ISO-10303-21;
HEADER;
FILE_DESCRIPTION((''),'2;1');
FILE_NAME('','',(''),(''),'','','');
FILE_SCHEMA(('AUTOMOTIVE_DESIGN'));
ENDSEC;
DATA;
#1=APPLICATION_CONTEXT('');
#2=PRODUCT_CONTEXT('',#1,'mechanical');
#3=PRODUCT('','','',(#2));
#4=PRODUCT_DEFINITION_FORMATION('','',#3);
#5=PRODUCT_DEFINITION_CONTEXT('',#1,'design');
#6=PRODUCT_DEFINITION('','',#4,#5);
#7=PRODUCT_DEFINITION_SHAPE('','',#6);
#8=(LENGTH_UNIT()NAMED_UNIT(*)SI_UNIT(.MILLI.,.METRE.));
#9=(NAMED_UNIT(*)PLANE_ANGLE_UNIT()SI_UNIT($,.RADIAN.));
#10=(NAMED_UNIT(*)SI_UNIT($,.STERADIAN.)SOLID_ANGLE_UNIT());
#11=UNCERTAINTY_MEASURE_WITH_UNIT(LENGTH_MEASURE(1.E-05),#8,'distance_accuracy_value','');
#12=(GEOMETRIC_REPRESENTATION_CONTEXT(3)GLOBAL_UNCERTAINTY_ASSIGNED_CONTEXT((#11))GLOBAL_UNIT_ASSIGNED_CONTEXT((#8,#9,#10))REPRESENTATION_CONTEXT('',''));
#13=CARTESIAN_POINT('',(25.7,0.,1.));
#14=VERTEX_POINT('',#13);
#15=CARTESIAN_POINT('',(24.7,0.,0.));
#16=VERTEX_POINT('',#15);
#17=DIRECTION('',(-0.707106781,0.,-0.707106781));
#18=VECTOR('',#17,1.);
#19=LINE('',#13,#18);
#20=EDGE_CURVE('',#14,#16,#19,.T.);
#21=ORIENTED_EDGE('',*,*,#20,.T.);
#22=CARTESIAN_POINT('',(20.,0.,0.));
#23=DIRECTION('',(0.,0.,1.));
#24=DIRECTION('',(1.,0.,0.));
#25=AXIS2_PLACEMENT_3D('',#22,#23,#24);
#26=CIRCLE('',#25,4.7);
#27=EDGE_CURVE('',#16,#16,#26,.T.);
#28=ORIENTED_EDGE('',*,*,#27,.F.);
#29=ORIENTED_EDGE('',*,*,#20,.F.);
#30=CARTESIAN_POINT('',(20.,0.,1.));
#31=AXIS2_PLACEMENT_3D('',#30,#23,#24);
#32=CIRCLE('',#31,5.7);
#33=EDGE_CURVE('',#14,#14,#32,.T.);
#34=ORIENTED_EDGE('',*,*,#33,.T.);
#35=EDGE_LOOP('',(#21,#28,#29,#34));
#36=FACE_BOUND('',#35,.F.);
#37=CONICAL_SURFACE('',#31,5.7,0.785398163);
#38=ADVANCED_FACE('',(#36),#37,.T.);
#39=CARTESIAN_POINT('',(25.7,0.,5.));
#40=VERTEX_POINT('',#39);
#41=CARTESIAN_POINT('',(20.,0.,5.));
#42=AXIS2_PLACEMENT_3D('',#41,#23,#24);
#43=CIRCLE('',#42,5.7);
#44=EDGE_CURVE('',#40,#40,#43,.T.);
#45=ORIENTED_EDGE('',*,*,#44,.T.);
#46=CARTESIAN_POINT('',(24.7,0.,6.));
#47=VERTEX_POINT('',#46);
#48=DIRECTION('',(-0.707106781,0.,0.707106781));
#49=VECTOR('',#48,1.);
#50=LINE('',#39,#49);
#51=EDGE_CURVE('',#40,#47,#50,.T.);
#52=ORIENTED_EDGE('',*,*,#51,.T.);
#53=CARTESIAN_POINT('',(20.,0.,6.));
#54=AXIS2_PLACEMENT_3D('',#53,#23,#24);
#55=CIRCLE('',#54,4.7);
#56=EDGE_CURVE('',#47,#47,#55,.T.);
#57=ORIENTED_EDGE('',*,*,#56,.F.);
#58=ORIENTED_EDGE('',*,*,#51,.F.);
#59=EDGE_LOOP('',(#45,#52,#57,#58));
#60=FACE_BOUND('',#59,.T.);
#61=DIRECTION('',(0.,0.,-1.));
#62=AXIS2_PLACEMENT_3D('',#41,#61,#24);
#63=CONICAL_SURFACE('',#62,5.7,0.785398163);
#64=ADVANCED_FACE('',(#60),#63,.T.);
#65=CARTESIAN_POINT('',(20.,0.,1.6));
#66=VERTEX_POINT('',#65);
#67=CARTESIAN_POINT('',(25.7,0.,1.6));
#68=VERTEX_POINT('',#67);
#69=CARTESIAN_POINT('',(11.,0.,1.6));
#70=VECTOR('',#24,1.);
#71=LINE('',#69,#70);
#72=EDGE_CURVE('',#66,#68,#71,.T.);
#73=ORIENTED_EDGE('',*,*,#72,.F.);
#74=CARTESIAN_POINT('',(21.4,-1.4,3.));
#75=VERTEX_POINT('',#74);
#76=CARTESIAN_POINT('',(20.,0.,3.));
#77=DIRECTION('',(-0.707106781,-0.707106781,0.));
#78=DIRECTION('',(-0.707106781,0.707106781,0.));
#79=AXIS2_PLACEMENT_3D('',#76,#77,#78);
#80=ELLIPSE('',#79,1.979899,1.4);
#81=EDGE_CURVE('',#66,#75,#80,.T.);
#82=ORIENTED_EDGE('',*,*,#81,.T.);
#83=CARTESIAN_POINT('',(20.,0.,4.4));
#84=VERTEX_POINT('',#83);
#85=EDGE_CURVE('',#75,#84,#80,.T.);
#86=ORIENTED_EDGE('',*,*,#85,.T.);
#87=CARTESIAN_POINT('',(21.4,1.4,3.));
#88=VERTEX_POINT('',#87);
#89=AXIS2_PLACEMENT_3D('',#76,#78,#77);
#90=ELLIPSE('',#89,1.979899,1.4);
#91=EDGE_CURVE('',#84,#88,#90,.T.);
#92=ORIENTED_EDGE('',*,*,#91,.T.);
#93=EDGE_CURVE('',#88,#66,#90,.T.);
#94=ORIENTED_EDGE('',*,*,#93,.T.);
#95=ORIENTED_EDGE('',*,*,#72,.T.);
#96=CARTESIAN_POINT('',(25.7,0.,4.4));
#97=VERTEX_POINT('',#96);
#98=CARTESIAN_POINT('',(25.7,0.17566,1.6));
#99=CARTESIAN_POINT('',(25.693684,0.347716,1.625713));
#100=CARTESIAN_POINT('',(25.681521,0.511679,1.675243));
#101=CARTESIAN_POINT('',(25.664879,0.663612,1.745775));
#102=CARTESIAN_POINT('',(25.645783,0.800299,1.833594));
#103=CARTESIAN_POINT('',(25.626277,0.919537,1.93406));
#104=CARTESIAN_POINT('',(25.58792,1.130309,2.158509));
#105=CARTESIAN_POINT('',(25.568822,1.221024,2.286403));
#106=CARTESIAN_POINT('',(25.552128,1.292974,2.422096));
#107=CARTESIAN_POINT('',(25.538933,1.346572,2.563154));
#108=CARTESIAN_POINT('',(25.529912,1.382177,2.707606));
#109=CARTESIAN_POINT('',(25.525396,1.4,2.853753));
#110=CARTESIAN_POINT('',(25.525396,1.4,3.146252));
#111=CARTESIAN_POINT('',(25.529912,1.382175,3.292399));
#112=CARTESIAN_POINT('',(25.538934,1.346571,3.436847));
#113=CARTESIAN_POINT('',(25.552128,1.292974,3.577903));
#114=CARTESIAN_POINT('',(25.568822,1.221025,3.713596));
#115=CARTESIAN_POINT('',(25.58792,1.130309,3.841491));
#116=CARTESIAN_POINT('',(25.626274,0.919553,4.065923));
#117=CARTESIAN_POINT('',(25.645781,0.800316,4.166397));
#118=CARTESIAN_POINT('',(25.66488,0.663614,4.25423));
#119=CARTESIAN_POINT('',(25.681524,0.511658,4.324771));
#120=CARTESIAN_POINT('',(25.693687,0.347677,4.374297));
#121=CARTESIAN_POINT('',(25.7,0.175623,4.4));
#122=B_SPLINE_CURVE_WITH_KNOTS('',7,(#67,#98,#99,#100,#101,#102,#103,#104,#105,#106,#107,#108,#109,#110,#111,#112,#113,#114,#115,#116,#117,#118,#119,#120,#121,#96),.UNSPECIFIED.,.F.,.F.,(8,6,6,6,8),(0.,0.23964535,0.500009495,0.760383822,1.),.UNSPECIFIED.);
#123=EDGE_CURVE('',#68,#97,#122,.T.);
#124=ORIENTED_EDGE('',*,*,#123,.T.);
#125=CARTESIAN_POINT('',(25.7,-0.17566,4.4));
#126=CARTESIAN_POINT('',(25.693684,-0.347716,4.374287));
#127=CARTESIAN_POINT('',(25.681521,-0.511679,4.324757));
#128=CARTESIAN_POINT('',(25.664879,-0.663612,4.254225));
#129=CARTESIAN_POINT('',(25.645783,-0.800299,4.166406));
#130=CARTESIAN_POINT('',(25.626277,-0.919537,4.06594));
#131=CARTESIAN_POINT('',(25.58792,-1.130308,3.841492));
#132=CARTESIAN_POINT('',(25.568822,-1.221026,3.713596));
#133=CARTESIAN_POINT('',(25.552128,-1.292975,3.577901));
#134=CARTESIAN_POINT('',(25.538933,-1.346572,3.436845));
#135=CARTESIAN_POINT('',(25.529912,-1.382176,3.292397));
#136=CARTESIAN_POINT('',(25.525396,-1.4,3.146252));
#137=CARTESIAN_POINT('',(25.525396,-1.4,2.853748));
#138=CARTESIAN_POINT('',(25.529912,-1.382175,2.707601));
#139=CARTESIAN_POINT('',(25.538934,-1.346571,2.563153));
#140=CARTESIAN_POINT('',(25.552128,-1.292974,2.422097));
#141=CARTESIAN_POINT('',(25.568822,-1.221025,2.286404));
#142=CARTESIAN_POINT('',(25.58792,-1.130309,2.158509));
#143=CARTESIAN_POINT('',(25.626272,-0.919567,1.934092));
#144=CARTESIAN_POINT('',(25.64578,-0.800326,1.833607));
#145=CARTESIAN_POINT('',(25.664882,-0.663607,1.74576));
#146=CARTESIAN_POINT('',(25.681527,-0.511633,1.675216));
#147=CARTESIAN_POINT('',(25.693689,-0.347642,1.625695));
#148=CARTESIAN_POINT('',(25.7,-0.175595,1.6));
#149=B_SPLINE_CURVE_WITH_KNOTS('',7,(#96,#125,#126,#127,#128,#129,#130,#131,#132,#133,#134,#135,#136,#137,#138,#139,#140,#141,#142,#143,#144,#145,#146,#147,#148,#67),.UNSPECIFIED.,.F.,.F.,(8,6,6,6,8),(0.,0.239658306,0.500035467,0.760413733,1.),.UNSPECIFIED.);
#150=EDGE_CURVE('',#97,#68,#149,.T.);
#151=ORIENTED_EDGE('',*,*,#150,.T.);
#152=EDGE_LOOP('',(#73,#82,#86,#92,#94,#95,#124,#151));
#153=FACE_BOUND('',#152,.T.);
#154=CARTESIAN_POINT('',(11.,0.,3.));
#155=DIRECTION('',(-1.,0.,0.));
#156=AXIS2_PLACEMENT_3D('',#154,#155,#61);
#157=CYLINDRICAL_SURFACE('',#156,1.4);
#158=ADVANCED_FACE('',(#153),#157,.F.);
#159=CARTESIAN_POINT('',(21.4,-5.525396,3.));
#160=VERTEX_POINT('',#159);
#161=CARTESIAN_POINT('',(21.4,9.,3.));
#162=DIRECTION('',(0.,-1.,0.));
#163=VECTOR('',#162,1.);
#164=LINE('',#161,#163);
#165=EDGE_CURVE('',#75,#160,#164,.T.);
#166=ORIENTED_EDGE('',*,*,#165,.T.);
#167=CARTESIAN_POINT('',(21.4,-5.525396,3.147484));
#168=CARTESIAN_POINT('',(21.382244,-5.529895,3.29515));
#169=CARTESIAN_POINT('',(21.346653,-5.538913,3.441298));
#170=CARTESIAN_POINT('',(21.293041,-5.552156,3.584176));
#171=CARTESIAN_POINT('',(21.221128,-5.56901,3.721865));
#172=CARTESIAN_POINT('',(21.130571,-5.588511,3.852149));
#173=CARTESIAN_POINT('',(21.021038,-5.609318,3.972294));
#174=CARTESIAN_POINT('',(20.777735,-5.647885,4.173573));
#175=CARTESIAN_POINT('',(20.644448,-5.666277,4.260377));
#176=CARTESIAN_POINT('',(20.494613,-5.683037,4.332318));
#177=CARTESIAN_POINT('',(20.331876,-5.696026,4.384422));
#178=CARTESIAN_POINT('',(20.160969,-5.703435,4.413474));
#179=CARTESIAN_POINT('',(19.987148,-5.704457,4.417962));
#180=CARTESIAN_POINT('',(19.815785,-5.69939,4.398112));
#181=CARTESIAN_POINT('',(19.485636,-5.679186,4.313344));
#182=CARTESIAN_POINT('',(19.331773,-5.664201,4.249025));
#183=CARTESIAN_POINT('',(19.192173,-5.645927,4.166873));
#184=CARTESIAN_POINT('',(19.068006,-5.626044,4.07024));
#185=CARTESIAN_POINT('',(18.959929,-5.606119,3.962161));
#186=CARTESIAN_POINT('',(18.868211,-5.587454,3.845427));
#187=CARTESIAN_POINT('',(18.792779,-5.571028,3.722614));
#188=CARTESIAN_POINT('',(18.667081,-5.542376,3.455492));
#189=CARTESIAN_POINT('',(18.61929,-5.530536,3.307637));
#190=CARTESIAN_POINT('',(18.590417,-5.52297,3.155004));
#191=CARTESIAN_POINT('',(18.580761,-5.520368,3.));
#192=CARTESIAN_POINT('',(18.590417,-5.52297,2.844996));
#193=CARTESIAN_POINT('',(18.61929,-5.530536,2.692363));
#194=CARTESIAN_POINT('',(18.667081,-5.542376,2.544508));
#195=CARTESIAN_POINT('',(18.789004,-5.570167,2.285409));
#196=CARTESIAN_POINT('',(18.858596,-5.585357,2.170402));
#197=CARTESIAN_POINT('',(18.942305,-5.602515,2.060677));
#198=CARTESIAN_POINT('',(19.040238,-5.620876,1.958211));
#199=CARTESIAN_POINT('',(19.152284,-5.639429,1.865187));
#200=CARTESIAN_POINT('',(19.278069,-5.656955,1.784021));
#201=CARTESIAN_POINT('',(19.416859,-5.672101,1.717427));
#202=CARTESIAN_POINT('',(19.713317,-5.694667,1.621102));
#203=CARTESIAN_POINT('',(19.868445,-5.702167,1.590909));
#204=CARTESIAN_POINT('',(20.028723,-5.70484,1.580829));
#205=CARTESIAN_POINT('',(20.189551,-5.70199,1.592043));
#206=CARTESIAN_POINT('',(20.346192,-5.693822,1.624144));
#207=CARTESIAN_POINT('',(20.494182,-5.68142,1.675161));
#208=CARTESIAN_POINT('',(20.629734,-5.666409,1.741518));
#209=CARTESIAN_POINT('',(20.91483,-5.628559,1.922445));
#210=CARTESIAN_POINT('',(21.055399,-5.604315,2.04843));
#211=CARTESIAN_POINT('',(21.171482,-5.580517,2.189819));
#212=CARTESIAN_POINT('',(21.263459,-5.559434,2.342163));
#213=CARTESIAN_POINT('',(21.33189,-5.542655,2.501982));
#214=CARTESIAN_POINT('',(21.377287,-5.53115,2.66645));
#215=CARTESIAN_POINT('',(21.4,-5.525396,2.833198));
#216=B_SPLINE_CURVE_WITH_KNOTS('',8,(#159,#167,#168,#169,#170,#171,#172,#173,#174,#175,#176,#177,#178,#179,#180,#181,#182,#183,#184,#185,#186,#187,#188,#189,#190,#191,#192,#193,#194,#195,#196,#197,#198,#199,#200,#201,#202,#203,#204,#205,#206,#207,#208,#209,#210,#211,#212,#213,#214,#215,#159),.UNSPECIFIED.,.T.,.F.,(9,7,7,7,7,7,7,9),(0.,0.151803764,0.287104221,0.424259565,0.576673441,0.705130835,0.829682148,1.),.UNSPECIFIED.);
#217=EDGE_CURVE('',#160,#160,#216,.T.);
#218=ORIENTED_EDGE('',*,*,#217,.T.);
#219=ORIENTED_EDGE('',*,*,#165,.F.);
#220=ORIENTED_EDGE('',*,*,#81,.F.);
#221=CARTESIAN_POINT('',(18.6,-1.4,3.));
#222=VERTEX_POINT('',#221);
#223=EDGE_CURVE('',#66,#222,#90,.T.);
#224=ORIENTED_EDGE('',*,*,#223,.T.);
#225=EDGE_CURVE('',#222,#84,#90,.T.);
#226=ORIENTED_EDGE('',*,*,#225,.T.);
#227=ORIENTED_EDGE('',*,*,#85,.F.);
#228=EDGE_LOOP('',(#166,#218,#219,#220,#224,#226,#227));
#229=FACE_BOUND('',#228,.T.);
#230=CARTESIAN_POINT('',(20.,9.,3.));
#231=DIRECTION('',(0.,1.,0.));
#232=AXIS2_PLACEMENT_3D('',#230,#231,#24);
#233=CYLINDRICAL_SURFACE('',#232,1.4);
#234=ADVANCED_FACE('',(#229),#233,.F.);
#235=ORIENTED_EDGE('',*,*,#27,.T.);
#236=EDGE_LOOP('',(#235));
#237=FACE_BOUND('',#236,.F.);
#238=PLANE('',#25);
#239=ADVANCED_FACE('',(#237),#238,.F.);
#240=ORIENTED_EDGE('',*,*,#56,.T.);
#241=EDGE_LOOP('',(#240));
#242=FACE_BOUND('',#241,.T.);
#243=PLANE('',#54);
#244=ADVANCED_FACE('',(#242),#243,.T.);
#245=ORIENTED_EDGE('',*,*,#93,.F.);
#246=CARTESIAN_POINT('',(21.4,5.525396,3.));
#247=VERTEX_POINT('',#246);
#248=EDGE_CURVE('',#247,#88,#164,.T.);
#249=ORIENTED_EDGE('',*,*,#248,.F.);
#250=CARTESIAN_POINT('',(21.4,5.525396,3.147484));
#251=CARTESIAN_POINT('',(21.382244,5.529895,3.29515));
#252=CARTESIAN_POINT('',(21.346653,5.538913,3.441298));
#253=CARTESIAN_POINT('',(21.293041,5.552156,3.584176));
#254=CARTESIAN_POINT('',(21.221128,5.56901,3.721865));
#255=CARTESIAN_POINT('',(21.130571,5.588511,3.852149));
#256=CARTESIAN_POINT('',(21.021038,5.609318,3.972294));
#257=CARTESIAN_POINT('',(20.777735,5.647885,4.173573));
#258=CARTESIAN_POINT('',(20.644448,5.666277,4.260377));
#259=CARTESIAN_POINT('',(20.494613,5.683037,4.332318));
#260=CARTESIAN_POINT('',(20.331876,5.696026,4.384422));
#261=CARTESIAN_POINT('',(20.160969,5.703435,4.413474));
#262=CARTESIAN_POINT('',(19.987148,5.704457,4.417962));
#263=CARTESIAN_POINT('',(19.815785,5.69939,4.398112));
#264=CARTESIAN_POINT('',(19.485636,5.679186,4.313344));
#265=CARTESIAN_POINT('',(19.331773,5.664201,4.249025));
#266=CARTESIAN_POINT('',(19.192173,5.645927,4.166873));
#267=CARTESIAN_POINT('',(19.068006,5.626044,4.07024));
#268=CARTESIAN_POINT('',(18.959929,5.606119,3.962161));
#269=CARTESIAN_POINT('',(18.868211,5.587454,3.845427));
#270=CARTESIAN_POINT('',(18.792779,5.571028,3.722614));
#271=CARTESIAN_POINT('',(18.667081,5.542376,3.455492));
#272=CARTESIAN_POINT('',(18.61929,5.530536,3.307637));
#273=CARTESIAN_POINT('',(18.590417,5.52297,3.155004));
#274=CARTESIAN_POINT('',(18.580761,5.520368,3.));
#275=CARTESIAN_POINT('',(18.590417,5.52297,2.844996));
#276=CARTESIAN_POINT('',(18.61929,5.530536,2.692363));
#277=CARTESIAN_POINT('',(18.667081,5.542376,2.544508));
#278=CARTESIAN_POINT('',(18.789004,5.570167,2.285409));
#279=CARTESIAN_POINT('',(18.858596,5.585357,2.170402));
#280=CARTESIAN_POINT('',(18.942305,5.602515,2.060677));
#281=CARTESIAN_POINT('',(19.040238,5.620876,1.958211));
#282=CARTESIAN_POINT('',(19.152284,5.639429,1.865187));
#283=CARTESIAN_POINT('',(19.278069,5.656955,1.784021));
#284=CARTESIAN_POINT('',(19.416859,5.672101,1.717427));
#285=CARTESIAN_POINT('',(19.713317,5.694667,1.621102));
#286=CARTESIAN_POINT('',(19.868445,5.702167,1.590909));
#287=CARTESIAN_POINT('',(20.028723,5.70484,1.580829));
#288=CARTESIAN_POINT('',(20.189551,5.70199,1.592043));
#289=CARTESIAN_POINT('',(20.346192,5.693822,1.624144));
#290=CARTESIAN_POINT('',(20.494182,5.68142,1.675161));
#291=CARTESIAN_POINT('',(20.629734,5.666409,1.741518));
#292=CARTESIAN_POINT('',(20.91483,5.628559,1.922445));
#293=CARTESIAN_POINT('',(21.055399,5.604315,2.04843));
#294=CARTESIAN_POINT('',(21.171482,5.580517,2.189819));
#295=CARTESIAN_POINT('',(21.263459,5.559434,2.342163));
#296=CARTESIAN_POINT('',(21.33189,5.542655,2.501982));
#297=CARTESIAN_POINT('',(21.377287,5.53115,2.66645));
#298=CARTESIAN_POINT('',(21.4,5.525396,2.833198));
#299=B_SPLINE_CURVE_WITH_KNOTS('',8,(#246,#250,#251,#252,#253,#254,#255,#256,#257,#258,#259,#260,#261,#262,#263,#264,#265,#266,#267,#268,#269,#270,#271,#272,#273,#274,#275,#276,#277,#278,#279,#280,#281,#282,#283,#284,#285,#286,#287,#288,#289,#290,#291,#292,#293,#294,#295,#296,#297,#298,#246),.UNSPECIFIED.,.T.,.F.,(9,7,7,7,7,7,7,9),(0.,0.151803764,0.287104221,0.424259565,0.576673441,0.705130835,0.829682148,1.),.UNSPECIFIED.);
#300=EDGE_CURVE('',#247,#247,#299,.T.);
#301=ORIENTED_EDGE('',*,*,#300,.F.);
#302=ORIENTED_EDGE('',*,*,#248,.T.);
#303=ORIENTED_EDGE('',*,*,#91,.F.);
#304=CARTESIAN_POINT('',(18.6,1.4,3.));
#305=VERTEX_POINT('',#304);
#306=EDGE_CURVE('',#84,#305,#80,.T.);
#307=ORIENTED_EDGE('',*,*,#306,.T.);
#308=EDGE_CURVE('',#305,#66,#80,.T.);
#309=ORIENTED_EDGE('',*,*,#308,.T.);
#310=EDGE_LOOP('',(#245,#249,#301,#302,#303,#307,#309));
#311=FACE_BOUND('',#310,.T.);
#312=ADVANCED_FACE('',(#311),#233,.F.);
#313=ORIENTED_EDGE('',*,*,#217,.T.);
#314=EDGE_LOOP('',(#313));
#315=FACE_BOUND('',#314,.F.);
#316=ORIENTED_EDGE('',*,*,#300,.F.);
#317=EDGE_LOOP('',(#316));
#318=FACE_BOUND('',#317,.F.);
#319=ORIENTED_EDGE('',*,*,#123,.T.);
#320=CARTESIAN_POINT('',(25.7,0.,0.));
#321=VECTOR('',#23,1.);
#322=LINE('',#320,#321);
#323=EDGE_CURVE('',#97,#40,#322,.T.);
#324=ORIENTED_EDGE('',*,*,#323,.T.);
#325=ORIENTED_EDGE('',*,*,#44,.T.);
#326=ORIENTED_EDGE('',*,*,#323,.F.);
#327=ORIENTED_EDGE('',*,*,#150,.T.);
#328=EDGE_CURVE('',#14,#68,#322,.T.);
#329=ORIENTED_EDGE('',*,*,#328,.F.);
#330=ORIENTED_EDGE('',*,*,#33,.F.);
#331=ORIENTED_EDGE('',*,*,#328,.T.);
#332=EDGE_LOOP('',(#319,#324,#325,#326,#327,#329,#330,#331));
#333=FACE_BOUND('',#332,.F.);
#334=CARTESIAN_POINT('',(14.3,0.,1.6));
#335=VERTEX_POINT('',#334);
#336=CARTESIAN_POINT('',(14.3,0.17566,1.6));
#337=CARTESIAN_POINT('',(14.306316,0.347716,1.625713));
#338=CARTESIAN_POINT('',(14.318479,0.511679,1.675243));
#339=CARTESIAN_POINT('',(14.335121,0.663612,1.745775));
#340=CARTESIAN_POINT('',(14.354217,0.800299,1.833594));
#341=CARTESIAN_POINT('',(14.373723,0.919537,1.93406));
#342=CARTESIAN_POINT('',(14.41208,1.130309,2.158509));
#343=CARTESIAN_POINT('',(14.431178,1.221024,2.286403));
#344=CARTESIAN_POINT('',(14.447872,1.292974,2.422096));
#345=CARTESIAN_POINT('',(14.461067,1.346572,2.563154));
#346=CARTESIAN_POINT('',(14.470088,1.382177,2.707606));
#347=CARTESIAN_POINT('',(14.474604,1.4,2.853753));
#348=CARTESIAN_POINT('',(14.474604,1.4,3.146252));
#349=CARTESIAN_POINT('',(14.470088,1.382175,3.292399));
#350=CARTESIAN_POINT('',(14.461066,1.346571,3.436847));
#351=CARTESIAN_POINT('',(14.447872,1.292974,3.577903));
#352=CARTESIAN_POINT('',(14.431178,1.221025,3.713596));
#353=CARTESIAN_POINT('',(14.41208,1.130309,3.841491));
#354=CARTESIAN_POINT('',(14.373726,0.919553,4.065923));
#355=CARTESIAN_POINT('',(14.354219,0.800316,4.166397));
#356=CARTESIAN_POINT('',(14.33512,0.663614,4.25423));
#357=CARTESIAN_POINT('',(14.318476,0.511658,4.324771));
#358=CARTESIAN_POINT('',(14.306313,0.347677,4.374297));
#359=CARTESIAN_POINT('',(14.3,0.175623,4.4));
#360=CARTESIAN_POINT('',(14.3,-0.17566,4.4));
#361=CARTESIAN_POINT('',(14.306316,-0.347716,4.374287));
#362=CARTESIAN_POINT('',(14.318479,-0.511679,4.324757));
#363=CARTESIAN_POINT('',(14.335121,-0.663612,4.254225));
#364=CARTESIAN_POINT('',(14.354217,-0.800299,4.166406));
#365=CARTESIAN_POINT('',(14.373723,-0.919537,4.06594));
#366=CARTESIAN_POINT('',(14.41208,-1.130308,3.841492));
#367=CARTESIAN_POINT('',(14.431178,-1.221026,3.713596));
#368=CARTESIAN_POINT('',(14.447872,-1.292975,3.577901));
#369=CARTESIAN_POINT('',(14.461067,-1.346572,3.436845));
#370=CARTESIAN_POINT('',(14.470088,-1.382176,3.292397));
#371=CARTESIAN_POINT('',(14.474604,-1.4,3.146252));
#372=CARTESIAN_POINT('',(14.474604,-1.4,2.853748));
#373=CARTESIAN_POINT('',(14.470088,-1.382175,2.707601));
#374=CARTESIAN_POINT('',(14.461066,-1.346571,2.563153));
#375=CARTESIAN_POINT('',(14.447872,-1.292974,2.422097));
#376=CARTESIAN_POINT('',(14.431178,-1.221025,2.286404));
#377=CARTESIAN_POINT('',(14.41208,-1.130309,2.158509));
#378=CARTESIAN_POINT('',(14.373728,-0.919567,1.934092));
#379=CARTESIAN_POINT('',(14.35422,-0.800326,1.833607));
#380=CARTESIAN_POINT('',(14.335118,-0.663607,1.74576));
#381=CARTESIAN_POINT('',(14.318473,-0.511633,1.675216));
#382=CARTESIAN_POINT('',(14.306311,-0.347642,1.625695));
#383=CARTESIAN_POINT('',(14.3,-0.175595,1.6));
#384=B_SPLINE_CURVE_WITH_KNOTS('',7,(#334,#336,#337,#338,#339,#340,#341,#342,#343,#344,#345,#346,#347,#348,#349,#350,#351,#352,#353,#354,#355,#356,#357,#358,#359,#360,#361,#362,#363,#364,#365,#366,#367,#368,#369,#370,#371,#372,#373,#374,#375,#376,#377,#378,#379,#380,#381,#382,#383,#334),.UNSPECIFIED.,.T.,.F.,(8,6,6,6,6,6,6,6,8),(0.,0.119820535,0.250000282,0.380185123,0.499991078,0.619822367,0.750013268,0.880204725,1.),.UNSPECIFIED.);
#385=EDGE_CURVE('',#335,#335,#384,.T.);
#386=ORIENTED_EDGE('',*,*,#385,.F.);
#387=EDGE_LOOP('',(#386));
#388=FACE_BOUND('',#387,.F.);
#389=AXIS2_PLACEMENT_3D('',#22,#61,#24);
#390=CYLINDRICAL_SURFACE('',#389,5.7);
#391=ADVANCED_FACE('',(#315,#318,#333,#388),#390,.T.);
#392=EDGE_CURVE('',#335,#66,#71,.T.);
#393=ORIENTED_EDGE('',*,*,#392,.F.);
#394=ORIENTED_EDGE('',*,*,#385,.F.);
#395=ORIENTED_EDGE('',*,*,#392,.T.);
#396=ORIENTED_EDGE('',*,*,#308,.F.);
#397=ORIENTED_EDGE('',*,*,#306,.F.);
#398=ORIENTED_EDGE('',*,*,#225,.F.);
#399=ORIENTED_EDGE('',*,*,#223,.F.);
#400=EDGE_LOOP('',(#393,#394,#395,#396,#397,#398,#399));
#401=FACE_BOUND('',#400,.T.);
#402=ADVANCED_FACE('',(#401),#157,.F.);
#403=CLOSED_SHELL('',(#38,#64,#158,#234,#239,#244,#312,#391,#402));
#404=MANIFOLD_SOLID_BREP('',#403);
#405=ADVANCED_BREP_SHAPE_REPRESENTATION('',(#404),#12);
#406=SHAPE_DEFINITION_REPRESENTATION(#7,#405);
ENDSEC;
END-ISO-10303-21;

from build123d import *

# Parameters (mm, degrees)
CYLINDER005_R           = 1.4
CYLINDER005_DEPTH       = 18
CYLINDER005_ROLL_ANGLE  = 90
CYLINDER012_R           = 1.4
CYLINDER012_DEPTH       = 18
CYLINDER012_PITCH_ANGLE = 90
CYLINDER004_R           = 5.7
CYLINDER004_DEPTH       = 6
CHAMFER_SIZE            = 1


with BuildPart() as cylinder005:
    # Cylinder005 → Cylinder005 (new body)
    with BuildSketch(Plane.XY):
        Circle(CYLINDER005_R)
    extrude(amount=CYLINDER005_DEPTH)


with BuildPart() as cylinder005_1:
    # Cylinder005 roll: moved
    add(cylinder005.part.rotate(Axis((0, 0, 0), (1, 0, 0)), CYLINDER005_ROLL_ANGLE))


with BuildPart() as cylinder005_2:
    # Cylinder005 placement: moved
    add(cylinder005_1.part.moved(Location((0, 9, 3))))


with BuildPart() as joiner_pins:
    # Cylinder012 → Cylinder012 (new body)
    with BuildSketch(Plane.XY):
        Circle(CYLINDER012_R)
    extrude(amount=CYLINDER012_DEPTH)


with BuildPart() as joiner_pins_1:
    # Cylinder012 pitch: moved
    add(joiner_pins.part.rotate(Axis((0, 0, 0), (0, 1, 0)), CYLINDER012_PITCH_ANGLE))


with BuildPart() as joiner_pins_2:
    # Cylinder012 placement: moved
    add(joiner_pins_1.part.moved(Location((-9, 0, 3))))

    # Fusion002: union Cylinder005
    add(cylinder005_2.part)


with BuildPart() as joiner:
    # Cylinder004 → Cylinder004 (new body)
    with BuildSketch(Plane.XY):
        Circle(CYLINDER004_R)
    extrude(amount=CYLINDER004_DEPTH)

    # Cut009: cut joiner pins
    add(joiner_pins_2.part, mode=Mode.SUBTRACT)

    # Chamfer
    chamfer_edges = [joiner.edges().sort_by_distance(p)[0] for p in [
        (-5.7, 0, 0),
        (-5.7, 0, 6),
    ]]
    chamfer(chamfer_edges, length=CHAMFER_SIZE)


with BuildPart() as joiner_1:
    # Chamfer placement: moved
    add(joiner.part.moved(Location((20, 0, 0))))


solid = joiner_1.part
